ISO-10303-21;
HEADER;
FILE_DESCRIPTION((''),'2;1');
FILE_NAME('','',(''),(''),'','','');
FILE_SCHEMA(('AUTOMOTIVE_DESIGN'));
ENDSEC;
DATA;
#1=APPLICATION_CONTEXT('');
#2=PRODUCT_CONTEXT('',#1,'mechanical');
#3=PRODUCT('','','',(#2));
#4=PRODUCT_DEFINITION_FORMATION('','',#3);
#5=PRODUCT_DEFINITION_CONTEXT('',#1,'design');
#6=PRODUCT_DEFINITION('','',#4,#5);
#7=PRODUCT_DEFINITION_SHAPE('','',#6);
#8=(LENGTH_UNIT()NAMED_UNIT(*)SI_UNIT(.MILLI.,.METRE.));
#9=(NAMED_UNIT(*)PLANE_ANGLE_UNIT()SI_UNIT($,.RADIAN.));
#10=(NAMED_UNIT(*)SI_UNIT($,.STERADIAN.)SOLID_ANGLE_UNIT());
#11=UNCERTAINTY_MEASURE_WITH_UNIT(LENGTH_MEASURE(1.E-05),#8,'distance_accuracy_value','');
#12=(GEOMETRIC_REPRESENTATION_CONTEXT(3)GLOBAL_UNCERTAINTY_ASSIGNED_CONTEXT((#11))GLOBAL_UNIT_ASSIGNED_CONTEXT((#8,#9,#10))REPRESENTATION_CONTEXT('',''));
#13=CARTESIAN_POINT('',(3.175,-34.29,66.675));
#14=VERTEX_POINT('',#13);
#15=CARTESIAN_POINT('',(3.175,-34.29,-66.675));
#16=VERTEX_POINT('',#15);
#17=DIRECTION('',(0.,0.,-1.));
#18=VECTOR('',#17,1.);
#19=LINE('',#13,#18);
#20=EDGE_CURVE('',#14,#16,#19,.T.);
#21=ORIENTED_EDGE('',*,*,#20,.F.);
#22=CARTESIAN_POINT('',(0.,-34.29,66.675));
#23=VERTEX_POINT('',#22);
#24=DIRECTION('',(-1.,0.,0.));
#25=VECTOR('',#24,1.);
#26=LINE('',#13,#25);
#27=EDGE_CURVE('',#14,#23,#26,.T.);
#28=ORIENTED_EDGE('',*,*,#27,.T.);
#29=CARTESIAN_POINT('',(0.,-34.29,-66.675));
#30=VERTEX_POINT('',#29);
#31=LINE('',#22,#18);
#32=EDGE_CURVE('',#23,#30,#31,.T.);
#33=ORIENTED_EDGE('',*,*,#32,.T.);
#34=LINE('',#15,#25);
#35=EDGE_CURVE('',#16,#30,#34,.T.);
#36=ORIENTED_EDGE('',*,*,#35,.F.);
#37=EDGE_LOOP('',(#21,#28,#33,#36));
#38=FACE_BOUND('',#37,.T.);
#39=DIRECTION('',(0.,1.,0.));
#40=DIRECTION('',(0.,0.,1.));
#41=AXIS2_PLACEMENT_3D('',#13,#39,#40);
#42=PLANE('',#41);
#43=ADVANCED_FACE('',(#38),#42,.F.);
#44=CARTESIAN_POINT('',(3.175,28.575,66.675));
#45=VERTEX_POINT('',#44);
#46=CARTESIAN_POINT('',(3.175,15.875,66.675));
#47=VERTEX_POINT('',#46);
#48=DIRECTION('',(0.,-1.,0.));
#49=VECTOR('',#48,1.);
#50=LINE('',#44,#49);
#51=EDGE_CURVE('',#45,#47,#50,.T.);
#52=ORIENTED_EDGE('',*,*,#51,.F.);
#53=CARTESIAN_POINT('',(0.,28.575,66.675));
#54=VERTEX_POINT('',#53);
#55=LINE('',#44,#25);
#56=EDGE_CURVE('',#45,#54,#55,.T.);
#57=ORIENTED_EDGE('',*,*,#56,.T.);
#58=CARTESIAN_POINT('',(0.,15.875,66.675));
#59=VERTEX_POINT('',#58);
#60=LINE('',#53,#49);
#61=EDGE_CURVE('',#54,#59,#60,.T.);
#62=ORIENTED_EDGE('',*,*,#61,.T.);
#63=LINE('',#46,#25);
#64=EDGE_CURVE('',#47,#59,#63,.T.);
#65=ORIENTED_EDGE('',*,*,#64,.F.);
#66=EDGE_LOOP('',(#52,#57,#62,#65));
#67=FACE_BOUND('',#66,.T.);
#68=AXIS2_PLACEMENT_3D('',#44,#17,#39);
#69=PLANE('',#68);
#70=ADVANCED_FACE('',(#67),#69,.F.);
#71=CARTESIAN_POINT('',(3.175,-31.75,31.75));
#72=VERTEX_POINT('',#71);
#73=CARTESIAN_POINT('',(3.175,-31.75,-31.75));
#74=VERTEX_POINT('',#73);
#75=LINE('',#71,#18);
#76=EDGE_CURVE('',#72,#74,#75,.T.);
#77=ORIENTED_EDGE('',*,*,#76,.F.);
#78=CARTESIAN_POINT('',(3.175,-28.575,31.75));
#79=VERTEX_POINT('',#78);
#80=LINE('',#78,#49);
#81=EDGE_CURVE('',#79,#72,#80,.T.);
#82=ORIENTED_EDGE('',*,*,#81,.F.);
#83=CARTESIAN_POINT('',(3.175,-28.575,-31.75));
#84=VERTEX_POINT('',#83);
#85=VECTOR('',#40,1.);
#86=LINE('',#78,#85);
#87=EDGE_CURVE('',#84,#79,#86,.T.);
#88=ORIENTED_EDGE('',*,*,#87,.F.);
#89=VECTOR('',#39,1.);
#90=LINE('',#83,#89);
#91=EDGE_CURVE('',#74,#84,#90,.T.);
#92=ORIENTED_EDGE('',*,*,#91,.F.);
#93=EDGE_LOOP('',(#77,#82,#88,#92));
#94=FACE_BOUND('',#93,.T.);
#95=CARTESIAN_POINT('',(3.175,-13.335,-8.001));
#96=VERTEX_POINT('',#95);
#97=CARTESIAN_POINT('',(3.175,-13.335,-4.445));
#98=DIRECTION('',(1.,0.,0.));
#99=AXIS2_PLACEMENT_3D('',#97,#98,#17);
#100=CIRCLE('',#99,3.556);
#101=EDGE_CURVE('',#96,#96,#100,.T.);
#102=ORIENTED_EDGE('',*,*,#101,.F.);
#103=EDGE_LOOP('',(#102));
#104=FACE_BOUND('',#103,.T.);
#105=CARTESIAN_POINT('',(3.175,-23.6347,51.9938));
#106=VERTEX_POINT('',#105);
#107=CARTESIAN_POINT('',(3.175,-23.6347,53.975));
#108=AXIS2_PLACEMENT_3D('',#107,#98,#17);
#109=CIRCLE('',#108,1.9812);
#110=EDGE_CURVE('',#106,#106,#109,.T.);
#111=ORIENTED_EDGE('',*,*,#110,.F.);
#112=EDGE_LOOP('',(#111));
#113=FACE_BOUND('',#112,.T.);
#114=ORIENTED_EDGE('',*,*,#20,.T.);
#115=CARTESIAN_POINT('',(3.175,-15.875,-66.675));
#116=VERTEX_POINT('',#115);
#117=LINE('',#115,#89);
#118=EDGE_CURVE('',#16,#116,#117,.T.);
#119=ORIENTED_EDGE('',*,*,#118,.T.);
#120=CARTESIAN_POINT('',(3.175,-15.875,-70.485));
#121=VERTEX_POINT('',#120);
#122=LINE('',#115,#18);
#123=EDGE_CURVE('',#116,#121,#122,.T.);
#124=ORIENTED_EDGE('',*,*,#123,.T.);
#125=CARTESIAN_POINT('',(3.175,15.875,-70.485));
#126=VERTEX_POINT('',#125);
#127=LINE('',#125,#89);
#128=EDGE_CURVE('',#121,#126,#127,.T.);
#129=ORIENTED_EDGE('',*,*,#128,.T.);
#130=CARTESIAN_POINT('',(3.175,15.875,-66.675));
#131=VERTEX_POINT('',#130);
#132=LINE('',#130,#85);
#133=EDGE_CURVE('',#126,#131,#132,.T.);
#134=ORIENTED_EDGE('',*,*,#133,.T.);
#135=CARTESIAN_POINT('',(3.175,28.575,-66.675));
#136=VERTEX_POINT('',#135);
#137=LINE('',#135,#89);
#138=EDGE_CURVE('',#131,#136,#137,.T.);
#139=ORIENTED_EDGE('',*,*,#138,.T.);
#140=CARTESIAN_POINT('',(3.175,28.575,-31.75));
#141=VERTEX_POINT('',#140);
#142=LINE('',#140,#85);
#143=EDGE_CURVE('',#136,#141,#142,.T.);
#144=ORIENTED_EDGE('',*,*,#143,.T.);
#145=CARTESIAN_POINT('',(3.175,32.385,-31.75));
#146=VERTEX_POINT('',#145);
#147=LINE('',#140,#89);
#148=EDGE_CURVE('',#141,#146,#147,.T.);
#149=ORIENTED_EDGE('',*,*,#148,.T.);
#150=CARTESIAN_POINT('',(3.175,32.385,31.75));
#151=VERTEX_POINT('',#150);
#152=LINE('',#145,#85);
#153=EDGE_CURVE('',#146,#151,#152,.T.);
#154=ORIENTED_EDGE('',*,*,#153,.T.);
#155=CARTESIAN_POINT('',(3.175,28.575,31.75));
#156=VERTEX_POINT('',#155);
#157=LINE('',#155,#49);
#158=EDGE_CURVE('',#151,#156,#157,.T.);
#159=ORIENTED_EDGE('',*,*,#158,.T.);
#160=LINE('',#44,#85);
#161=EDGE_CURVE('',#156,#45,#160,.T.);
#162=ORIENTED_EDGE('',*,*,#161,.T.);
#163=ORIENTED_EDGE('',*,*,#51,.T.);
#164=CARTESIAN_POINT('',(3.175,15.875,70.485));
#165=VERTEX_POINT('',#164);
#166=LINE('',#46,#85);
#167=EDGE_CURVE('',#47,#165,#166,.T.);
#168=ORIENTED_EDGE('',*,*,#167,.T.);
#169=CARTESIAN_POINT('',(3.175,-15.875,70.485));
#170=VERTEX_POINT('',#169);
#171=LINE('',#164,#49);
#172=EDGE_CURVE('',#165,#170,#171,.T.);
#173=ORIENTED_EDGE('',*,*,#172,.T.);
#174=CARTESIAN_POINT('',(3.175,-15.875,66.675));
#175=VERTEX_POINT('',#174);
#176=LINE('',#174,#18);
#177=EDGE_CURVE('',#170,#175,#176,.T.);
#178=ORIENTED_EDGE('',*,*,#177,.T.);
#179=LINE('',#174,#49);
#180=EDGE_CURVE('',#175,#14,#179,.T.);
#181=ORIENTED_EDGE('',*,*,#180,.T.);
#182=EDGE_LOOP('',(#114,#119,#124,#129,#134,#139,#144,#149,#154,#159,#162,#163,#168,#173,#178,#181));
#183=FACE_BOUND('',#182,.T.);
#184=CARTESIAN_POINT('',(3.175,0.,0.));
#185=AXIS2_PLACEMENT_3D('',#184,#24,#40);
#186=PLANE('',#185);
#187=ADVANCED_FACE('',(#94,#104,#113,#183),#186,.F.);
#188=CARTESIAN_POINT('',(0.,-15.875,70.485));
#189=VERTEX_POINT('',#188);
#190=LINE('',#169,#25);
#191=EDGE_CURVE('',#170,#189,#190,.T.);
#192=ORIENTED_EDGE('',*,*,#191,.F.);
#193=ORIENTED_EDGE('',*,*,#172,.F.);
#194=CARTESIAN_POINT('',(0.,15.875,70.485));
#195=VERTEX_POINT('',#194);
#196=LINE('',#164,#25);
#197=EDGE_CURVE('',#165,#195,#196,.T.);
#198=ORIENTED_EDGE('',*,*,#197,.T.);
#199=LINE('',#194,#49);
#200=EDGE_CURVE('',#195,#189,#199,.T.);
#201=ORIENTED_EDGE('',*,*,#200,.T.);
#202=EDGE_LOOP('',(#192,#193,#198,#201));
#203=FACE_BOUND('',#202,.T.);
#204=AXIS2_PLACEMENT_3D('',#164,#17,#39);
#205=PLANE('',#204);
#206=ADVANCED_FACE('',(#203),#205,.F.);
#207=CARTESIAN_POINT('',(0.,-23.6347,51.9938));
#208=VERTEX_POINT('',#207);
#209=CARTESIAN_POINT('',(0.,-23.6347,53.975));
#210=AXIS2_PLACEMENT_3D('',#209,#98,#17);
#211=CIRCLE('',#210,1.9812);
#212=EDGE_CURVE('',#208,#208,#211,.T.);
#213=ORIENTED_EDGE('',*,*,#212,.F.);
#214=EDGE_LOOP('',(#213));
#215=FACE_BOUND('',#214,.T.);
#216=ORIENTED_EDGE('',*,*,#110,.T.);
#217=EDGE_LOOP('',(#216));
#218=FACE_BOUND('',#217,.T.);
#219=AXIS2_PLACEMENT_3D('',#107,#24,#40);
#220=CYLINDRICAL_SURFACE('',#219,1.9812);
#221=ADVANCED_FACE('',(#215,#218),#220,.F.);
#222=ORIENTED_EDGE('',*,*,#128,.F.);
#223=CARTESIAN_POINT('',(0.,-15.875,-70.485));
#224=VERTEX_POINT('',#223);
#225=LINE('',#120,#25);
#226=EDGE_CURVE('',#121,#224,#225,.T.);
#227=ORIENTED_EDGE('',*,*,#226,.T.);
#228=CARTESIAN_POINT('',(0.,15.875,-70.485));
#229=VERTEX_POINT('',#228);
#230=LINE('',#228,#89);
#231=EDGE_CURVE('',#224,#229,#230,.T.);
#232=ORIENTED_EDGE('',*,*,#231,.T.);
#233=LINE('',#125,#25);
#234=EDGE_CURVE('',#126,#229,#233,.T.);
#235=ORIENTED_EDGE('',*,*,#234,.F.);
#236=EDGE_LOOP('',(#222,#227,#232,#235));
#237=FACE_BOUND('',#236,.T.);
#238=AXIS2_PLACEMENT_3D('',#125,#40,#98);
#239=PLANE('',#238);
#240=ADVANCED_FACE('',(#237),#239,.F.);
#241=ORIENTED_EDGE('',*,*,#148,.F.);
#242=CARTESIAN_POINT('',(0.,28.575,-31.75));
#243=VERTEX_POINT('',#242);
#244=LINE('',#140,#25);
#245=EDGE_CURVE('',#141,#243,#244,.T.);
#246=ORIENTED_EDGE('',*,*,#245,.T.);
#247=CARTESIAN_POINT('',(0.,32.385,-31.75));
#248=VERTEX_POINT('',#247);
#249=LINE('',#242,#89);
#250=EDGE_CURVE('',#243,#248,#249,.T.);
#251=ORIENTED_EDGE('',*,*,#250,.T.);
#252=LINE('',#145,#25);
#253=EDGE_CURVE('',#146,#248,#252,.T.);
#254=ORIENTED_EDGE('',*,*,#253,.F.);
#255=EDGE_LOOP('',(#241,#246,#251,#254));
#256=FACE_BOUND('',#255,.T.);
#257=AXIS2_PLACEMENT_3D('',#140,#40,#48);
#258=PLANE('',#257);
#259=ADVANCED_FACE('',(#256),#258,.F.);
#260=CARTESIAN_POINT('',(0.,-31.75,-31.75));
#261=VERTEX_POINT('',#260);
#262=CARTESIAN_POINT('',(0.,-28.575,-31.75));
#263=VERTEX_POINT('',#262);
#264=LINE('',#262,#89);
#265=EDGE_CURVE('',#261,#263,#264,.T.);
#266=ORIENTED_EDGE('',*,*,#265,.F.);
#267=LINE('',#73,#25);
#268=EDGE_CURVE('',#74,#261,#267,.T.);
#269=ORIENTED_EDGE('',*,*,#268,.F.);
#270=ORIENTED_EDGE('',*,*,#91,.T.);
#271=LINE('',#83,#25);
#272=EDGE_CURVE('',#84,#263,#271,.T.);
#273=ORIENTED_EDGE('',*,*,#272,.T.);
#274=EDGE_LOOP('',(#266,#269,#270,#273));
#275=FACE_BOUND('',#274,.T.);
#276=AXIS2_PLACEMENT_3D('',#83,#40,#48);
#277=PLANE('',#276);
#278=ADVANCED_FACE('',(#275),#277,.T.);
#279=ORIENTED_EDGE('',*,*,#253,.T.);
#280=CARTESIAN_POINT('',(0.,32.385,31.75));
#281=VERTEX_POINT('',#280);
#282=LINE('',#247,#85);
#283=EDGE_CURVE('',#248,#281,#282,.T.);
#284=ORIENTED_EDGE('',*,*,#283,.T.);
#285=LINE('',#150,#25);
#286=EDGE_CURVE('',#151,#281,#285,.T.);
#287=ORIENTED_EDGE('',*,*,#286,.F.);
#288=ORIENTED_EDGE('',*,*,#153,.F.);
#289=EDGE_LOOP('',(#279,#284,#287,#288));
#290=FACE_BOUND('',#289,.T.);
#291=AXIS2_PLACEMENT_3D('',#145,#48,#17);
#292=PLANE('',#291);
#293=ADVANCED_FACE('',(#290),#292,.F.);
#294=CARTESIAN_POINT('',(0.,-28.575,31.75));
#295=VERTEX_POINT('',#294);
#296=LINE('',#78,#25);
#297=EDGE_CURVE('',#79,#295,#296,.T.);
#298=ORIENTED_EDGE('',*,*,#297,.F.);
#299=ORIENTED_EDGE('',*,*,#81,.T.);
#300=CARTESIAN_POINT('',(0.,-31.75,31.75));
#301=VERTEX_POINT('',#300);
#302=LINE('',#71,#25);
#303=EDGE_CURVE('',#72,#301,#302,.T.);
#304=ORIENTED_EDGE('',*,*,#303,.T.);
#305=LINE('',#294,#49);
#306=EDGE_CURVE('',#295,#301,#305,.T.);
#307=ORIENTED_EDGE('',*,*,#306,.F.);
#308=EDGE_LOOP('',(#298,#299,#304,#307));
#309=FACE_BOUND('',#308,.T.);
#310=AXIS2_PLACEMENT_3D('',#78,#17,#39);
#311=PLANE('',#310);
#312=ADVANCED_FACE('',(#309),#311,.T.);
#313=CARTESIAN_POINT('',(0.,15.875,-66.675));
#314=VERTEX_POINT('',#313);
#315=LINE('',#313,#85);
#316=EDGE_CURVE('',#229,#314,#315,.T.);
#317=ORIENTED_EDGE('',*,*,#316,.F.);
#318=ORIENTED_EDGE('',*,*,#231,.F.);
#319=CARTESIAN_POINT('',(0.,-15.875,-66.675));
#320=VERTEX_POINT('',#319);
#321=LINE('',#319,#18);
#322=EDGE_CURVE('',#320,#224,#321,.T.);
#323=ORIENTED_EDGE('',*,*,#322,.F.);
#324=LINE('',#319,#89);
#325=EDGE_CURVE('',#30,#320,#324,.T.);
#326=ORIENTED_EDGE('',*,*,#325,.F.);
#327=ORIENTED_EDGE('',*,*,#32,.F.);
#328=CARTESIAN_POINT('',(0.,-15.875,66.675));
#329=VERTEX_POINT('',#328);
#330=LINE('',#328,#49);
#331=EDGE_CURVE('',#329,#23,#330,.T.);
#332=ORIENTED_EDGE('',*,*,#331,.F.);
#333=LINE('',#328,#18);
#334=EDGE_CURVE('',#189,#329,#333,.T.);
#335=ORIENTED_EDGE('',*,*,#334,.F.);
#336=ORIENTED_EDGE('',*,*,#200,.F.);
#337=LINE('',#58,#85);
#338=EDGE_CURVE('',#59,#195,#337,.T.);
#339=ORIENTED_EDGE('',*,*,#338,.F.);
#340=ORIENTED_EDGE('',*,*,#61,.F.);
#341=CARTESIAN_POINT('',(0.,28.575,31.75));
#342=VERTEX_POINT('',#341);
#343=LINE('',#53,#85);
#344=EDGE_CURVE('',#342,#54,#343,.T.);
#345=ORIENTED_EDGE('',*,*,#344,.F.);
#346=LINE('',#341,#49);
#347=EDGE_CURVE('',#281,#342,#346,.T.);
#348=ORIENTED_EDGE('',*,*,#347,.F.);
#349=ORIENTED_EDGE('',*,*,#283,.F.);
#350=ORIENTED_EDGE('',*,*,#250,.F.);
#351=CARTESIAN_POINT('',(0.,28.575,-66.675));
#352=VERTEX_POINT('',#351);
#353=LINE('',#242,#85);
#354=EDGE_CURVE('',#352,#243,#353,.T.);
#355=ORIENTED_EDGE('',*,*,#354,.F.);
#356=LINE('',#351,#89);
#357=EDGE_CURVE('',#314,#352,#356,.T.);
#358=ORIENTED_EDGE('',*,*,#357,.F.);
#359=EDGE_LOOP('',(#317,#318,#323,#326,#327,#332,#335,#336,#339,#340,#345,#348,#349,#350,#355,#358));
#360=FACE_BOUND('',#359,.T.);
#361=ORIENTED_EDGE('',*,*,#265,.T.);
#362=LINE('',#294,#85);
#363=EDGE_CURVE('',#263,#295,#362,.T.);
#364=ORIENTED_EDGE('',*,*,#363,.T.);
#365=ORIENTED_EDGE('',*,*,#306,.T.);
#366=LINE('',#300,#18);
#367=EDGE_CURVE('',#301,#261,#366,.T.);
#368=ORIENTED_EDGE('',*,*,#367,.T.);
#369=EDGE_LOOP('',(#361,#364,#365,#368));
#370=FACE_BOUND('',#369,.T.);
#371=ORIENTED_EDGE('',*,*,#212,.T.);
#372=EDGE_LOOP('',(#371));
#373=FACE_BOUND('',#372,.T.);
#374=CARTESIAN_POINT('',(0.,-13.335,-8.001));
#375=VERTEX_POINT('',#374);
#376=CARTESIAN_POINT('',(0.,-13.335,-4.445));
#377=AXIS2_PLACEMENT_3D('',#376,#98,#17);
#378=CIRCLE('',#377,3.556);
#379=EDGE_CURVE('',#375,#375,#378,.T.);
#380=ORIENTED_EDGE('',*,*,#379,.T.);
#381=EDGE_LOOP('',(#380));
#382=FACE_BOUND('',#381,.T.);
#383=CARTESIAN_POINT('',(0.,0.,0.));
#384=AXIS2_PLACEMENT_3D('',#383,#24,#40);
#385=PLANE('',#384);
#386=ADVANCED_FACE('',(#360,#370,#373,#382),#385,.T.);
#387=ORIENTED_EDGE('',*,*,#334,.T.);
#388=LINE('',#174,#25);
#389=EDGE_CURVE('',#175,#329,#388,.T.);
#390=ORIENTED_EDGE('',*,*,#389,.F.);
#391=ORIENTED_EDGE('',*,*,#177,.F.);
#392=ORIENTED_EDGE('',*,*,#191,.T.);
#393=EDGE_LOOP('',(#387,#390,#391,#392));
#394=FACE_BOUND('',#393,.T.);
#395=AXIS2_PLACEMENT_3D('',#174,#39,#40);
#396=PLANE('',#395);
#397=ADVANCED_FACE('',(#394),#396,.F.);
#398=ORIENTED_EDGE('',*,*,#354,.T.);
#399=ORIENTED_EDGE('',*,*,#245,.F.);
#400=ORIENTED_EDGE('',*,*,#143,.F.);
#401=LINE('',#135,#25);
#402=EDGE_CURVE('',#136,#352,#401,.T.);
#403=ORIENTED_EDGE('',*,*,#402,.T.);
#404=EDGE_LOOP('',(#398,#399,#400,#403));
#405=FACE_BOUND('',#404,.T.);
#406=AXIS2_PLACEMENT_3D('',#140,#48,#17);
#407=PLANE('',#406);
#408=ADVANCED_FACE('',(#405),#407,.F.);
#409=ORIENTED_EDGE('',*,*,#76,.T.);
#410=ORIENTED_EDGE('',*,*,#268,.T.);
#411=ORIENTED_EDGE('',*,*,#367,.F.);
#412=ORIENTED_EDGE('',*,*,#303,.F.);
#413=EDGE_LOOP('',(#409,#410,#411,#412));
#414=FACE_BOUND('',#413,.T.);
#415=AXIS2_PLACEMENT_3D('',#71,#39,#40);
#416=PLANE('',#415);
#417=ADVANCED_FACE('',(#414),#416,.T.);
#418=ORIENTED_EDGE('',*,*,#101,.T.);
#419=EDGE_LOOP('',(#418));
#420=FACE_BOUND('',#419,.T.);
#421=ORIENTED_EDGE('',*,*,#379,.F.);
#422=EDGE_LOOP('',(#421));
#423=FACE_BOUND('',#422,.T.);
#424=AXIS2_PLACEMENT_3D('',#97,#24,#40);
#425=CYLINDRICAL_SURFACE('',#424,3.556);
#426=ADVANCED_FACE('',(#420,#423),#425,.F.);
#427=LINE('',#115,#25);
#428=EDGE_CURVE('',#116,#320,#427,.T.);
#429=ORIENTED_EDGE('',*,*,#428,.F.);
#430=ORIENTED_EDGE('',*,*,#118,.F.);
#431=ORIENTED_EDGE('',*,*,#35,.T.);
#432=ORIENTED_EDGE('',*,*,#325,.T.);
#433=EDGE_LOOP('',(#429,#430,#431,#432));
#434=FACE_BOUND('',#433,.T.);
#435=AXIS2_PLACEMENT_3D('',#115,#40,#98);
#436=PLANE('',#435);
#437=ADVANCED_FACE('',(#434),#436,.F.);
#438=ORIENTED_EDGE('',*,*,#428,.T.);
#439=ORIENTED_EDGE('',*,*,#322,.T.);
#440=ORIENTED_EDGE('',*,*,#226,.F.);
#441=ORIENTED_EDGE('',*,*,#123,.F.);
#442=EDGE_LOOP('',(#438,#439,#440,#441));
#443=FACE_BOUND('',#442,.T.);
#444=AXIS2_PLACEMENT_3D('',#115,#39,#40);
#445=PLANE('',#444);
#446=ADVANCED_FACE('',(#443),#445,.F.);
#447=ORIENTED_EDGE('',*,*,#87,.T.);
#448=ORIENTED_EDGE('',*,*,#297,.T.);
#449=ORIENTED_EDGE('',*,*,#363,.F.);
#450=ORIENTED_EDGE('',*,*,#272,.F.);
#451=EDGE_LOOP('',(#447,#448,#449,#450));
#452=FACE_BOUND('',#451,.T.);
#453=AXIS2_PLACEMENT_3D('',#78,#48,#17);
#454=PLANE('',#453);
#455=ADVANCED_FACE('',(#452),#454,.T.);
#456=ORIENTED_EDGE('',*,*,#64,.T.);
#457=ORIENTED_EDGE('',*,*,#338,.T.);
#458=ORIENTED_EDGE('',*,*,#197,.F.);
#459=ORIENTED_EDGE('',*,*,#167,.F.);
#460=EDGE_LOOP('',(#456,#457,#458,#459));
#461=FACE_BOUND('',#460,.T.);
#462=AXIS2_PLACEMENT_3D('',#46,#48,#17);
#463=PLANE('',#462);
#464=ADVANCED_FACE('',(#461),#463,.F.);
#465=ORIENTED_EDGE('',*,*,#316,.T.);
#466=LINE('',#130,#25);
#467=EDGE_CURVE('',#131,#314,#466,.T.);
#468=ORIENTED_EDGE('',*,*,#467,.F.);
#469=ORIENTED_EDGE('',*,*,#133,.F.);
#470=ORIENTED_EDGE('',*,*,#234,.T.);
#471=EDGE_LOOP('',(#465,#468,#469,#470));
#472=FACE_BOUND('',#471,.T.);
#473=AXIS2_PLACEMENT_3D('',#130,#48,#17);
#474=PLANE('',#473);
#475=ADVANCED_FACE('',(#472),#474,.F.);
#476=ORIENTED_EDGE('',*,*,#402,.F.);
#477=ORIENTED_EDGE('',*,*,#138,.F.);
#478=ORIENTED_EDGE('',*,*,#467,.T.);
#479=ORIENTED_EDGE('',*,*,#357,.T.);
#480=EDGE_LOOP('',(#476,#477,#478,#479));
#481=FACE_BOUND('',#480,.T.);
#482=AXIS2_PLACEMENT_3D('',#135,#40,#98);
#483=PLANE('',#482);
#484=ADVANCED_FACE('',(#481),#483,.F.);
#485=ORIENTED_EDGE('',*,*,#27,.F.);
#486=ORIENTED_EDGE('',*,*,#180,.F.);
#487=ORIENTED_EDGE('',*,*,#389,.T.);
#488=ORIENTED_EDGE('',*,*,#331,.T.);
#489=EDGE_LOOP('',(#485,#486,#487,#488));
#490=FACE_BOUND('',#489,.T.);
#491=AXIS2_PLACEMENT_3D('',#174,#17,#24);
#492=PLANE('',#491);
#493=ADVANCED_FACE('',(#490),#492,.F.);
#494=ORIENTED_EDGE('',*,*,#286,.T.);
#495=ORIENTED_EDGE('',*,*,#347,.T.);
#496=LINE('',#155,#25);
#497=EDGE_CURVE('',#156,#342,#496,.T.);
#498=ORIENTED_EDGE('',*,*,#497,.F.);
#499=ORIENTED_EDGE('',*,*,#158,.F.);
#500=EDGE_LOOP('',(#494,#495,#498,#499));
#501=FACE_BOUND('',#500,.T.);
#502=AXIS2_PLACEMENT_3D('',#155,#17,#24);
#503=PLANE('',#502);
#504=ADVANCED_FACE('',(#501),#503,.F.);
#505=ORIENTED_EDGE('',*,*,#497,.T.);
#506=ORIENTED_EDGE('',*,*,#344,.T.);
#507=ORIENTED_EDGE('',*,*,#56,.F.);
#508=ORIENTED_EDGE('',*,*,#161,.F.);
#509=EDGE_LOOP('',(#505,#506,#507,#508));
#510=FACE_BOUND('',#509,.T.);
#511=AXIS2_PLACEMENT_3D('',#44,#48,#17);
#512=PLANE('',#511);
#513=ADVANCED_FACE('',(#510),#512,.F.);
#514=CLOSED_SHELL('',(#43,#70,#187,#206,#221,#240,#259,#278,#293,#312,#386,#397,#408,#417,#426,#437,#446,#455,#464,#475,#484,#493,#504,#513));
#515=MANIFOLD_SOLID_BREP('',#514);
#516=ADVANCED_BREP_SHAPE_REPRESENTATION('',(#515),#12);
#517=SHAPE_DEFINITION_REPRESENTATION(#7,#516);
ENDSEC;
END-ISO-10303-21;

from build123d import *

# Parameters (mm, degrees)
SKETCH1_R           = 3.556
SKETCH1_R_2         = 1.9812
SKETCH1_W           = 63.5
SKETCH1_H           = 3.175
BOSS_EXTRUDE1_DEPTH = 3.175


with BuildPart() as part:
    # Sketch1 → Boss-Extrude1 (new body)
    with BuildSketch(Plane(origin=(0, 0, 0), x_dir=(0, 0, -1), z_dir=(1, 0, 0))):
        Polygon((-66.675, 28.575), (-31.75, 28.575), (-31.75, 32.385), (31.75, 32.385), (31.75, 28.575), (66.675, 28.575), (66.675, 15.875), (70.485, 15.875), (70.485, -15.875), (66.675, -15.875), (66.675, -34.29), (-66.675, -34.29), (-66.675, -15.875), (-70.485, -15.875), (-70.485, 15.875), (-66.675, 15.875), align=None)
        with Locations((4.445, -13.335)):
            Circle(SKETCH1_R, mode=Mode.SUBTRACT)
        with Locations((-53.975, -23.6347)):
            Circle(SKETCH1_R_2, mode=Mode.SUBTRACT)
        with Locations((0, -30.1625)):
            Rectangle(SKETCH1_W, SKETCH1_H, mode=Mode.SUBTRACT)
    extrude(amount=BOSS_EXTRUDE1_DEPTH)


solid = part.part
